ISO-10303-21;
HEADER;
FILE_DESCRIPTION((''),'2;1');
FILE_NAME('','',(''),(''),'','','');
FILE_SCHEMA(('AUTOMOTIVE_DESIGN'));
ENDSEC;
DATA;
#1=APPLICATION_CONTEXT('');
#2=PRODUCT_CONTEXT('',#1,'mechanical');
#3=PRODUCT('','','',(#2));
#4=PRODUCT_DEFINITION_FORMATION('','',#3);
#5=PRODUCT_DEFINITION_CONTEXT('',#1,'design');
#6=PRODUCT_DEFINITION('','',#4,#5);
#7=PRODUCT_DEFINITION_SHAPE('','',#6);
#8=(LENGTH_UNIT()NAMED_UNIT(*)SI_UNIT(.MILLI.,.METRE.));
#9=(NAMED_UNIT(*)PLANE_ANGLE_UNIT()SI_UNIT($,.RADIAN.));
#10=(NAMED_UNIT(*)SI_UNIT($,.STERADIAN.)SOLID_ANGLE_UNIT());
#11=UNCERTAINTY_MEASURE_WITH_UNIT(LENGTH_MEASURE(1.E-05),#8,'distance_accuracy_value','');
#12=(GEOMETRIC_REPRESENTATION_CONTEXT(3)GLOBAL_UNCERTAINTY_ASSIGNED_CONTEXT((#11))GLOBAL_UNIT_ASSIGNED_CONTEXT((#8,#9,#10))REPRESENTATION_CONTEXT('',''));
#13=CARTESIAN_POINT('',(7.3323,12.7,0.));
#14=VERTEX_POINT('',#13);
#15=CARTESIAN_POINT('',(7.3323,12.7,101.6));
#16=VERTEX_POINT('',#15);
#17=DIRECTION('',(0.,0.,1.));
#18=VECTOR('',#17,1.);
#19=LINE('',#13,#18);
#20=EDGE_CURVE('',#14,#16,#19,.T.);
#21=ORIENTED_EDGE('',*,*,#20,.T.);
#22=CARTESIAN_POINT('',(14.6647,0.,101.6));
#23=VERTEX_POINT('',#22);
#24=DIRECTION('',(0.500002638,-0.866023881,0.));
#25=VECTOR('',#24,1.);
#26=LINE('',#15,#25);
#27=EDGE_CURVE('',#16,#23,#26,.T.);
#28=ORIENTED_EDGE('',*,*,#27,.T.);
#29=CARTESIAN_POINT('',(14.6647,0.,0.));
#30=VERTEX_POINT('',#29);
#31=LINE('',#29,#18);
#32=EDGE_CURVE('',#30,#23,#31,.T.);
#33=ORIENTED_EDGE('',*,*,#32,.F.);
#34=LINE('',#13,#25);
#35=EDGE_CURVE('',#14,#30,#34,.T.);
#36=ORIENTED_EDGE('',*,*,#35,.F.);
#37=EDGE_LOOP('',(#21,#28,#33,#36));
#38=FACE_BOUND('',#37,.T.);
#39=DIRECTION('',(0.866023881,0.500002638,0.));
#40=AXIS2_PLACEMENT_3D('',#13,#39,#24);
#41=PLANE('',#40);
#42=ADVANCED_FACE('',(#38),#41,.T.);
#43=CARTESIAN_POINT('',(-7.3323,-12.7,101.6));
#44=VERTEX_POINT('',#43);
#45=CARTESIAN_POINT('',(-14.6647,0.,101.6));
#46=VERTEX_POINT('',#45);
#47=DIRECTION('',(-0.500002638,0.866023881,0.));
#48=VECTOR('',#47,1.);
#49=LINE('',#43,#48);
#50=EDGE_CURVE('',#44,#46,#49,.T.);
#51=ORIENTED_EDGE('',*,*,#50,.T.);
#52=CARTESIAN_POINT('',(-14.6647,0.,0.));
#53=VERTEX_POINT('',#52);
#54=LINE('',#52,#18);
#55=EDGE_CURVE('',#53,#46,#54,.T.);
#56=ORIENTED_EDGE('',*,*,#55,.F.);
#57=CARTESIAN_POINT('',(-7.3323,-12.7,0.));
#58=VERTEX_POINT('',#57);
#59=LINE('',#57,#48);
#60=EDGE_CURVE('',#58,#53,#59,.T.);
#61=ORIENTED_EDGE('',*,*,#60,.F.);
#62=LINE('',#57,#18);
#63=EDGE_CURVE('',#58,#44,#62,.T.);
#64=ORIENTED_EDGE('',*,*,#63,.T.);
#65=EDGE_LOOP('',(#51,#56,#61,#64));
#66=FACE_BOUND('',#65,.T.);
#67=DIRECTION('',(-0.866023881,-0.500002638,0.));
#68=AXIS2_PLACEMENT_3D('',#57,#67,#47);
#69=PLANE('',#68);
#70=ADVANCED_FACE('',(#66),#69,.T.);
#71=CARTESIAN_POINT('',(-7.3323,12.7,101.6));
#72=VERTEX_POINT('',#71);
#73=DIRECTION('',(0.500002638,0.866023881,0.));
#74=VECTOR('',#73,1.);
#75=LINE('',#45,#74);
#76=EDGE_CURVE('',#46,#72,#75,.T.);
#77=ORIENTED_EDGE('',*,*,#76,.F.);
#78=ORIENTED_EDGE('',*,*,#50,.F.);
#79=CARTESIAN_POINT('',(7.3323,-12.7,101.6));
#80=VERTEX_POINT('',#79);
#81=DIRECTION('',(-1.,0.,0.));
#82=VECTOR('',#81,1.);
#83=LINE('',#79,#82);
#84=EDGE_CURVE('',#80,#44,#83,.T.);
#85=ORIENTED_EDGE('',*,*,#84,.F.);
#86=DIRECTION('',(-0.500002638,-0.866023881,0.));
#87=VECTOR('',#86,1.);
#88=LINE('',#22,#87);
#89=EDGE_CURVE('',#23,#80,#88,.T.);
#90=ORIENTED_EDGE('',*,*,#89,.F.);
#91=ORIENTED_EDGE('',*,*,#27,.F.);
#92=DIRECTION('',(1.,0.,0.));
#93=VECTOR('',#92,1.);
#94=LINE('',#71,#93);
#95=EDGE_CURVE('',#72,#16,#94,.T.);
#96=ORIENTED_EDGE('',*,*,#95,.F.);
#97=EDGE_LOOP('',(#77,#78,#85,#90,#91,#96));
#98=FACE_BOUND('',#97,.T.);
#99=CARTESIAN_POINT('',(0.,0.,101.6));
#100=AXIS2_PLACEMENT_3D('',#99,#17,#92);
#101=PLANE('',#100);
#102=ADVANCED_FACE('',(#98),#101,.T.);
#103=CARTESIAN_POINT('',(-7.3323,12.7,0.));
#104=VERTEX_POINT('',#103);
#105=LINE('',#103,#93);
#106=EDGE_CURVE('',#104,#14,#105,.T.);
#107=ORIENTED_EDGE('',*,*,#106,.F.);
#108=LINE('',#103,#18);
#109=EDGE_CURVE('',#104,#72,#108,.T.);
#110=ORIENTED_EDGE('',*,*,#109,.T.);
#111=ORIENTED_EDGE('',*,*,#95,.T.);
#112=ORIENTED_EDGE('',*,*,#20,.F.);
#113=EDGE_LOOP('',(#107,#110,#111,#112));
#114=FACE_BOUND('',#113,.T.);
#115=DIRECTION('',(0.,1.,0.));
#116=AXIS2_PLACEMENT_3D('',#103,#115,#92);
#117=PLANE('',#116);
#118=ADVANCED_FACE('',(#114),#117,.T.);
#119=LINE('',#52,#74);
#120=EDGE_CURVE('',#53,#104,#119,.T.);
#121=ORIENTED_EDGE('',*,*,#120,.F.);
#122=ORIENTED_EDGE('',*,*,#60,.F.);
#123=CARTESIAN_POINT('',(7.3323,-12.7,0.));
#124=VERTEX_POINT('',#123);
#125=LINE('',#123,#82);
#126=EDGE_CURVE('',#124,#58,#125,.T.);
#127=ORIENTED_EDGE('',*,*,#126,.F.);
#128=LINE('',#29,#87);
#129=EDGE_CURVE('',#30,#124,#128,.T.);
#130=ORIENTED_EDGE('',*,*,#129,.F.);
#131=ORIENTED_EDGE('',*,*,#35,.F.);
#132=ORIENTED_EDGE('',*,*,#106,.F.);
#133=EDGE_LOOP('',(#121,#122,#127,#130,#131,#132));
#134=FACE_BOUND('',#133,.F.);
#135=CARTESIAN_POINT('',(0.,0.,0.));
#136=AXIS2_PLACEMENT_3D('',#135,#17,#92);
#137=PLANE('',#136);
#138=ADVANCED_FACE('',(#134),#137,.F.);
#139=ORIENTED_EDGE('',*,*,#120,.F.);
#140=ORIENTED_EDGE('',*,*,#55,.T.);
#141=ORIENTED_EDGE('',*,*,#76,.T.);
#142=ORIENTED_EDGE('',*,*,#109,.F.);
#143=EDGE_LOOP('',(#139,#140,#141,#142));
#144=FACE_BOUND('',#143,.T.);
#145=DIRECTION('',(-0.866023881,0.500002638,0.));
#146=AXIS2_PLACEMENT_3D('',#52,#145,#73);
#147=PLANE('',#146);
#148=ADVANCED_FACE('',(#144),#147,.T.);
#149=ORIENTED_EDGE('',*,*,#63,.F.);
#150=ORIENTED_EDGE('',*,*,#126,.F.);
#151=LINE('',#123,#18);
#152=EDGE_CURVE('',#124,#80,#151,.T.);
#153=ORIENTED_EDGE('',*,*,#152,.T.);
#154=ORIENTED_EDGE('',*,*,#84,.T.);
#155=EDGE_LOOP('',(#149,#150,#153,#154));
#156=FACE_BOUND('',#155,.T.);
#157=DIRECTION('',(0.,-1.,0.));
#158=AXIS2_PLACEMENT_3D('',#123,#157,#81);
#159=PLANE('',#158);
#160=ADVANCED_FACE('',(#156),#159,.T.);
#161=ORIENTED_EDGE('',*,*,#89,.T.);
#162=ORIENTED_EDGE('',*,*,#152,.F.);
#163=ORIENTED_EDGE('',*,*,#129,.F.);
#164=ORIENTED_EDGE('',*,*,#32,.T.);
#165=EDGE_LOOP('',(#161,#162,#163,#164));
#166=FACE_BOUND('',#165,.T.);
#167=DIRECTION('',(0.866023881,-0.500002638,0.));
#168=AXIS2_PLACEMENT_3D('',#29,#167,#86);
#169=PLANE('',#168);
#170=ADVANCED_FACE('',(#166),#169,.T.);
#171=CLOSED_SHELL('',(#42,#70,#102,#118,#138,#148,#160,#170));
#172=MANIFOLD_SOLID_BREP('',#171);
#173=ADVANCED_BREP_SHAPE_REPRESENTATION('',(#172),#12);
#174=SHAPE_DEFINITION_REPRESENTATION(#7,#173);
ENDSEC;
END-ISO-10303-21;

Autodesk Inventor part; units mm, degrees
ref_plane "YZ Plane" through (0, 0, 0) normal (1, 0, 0) x (0, 1, 0)
ref_plane "XZ Plane" through (0, 0, 0) normal (0, 1, 0) x (-1, 0, 0)
ref_plane "XY Plane" through (0, 0, 0) normal (0, 0, 1) x (1, 0, 0)
sketch "Sketch1" plane through (0, 0, 0) normal (0, 0, 1) x (1, 0, 0)
  line L0 (14.6647, 0) -> (7.3323, -12.7)
  line L1 (7.3323, -12.7) -> (-7.3323, -12.7)
  line L2 (-7.3323, -12.7) -> (-14.6647, 0)
  line L3 (-14.6647, 0) -> (-7.3323, 12.7)
  line L4 (-7.3323, 12.7) -> (7.3323, 12.7)
  line L5 (7.3323, 12.7) -> (14.6647, 0)
  point P0 (0, 0)
  point P1 (0, 0)
  dimension "d0" = 12.7
extrude "Extrusion1" add sketch "Sketch1" along normal blind 101.6
properties part number "CAR_037_VerticalKickerShaft"
